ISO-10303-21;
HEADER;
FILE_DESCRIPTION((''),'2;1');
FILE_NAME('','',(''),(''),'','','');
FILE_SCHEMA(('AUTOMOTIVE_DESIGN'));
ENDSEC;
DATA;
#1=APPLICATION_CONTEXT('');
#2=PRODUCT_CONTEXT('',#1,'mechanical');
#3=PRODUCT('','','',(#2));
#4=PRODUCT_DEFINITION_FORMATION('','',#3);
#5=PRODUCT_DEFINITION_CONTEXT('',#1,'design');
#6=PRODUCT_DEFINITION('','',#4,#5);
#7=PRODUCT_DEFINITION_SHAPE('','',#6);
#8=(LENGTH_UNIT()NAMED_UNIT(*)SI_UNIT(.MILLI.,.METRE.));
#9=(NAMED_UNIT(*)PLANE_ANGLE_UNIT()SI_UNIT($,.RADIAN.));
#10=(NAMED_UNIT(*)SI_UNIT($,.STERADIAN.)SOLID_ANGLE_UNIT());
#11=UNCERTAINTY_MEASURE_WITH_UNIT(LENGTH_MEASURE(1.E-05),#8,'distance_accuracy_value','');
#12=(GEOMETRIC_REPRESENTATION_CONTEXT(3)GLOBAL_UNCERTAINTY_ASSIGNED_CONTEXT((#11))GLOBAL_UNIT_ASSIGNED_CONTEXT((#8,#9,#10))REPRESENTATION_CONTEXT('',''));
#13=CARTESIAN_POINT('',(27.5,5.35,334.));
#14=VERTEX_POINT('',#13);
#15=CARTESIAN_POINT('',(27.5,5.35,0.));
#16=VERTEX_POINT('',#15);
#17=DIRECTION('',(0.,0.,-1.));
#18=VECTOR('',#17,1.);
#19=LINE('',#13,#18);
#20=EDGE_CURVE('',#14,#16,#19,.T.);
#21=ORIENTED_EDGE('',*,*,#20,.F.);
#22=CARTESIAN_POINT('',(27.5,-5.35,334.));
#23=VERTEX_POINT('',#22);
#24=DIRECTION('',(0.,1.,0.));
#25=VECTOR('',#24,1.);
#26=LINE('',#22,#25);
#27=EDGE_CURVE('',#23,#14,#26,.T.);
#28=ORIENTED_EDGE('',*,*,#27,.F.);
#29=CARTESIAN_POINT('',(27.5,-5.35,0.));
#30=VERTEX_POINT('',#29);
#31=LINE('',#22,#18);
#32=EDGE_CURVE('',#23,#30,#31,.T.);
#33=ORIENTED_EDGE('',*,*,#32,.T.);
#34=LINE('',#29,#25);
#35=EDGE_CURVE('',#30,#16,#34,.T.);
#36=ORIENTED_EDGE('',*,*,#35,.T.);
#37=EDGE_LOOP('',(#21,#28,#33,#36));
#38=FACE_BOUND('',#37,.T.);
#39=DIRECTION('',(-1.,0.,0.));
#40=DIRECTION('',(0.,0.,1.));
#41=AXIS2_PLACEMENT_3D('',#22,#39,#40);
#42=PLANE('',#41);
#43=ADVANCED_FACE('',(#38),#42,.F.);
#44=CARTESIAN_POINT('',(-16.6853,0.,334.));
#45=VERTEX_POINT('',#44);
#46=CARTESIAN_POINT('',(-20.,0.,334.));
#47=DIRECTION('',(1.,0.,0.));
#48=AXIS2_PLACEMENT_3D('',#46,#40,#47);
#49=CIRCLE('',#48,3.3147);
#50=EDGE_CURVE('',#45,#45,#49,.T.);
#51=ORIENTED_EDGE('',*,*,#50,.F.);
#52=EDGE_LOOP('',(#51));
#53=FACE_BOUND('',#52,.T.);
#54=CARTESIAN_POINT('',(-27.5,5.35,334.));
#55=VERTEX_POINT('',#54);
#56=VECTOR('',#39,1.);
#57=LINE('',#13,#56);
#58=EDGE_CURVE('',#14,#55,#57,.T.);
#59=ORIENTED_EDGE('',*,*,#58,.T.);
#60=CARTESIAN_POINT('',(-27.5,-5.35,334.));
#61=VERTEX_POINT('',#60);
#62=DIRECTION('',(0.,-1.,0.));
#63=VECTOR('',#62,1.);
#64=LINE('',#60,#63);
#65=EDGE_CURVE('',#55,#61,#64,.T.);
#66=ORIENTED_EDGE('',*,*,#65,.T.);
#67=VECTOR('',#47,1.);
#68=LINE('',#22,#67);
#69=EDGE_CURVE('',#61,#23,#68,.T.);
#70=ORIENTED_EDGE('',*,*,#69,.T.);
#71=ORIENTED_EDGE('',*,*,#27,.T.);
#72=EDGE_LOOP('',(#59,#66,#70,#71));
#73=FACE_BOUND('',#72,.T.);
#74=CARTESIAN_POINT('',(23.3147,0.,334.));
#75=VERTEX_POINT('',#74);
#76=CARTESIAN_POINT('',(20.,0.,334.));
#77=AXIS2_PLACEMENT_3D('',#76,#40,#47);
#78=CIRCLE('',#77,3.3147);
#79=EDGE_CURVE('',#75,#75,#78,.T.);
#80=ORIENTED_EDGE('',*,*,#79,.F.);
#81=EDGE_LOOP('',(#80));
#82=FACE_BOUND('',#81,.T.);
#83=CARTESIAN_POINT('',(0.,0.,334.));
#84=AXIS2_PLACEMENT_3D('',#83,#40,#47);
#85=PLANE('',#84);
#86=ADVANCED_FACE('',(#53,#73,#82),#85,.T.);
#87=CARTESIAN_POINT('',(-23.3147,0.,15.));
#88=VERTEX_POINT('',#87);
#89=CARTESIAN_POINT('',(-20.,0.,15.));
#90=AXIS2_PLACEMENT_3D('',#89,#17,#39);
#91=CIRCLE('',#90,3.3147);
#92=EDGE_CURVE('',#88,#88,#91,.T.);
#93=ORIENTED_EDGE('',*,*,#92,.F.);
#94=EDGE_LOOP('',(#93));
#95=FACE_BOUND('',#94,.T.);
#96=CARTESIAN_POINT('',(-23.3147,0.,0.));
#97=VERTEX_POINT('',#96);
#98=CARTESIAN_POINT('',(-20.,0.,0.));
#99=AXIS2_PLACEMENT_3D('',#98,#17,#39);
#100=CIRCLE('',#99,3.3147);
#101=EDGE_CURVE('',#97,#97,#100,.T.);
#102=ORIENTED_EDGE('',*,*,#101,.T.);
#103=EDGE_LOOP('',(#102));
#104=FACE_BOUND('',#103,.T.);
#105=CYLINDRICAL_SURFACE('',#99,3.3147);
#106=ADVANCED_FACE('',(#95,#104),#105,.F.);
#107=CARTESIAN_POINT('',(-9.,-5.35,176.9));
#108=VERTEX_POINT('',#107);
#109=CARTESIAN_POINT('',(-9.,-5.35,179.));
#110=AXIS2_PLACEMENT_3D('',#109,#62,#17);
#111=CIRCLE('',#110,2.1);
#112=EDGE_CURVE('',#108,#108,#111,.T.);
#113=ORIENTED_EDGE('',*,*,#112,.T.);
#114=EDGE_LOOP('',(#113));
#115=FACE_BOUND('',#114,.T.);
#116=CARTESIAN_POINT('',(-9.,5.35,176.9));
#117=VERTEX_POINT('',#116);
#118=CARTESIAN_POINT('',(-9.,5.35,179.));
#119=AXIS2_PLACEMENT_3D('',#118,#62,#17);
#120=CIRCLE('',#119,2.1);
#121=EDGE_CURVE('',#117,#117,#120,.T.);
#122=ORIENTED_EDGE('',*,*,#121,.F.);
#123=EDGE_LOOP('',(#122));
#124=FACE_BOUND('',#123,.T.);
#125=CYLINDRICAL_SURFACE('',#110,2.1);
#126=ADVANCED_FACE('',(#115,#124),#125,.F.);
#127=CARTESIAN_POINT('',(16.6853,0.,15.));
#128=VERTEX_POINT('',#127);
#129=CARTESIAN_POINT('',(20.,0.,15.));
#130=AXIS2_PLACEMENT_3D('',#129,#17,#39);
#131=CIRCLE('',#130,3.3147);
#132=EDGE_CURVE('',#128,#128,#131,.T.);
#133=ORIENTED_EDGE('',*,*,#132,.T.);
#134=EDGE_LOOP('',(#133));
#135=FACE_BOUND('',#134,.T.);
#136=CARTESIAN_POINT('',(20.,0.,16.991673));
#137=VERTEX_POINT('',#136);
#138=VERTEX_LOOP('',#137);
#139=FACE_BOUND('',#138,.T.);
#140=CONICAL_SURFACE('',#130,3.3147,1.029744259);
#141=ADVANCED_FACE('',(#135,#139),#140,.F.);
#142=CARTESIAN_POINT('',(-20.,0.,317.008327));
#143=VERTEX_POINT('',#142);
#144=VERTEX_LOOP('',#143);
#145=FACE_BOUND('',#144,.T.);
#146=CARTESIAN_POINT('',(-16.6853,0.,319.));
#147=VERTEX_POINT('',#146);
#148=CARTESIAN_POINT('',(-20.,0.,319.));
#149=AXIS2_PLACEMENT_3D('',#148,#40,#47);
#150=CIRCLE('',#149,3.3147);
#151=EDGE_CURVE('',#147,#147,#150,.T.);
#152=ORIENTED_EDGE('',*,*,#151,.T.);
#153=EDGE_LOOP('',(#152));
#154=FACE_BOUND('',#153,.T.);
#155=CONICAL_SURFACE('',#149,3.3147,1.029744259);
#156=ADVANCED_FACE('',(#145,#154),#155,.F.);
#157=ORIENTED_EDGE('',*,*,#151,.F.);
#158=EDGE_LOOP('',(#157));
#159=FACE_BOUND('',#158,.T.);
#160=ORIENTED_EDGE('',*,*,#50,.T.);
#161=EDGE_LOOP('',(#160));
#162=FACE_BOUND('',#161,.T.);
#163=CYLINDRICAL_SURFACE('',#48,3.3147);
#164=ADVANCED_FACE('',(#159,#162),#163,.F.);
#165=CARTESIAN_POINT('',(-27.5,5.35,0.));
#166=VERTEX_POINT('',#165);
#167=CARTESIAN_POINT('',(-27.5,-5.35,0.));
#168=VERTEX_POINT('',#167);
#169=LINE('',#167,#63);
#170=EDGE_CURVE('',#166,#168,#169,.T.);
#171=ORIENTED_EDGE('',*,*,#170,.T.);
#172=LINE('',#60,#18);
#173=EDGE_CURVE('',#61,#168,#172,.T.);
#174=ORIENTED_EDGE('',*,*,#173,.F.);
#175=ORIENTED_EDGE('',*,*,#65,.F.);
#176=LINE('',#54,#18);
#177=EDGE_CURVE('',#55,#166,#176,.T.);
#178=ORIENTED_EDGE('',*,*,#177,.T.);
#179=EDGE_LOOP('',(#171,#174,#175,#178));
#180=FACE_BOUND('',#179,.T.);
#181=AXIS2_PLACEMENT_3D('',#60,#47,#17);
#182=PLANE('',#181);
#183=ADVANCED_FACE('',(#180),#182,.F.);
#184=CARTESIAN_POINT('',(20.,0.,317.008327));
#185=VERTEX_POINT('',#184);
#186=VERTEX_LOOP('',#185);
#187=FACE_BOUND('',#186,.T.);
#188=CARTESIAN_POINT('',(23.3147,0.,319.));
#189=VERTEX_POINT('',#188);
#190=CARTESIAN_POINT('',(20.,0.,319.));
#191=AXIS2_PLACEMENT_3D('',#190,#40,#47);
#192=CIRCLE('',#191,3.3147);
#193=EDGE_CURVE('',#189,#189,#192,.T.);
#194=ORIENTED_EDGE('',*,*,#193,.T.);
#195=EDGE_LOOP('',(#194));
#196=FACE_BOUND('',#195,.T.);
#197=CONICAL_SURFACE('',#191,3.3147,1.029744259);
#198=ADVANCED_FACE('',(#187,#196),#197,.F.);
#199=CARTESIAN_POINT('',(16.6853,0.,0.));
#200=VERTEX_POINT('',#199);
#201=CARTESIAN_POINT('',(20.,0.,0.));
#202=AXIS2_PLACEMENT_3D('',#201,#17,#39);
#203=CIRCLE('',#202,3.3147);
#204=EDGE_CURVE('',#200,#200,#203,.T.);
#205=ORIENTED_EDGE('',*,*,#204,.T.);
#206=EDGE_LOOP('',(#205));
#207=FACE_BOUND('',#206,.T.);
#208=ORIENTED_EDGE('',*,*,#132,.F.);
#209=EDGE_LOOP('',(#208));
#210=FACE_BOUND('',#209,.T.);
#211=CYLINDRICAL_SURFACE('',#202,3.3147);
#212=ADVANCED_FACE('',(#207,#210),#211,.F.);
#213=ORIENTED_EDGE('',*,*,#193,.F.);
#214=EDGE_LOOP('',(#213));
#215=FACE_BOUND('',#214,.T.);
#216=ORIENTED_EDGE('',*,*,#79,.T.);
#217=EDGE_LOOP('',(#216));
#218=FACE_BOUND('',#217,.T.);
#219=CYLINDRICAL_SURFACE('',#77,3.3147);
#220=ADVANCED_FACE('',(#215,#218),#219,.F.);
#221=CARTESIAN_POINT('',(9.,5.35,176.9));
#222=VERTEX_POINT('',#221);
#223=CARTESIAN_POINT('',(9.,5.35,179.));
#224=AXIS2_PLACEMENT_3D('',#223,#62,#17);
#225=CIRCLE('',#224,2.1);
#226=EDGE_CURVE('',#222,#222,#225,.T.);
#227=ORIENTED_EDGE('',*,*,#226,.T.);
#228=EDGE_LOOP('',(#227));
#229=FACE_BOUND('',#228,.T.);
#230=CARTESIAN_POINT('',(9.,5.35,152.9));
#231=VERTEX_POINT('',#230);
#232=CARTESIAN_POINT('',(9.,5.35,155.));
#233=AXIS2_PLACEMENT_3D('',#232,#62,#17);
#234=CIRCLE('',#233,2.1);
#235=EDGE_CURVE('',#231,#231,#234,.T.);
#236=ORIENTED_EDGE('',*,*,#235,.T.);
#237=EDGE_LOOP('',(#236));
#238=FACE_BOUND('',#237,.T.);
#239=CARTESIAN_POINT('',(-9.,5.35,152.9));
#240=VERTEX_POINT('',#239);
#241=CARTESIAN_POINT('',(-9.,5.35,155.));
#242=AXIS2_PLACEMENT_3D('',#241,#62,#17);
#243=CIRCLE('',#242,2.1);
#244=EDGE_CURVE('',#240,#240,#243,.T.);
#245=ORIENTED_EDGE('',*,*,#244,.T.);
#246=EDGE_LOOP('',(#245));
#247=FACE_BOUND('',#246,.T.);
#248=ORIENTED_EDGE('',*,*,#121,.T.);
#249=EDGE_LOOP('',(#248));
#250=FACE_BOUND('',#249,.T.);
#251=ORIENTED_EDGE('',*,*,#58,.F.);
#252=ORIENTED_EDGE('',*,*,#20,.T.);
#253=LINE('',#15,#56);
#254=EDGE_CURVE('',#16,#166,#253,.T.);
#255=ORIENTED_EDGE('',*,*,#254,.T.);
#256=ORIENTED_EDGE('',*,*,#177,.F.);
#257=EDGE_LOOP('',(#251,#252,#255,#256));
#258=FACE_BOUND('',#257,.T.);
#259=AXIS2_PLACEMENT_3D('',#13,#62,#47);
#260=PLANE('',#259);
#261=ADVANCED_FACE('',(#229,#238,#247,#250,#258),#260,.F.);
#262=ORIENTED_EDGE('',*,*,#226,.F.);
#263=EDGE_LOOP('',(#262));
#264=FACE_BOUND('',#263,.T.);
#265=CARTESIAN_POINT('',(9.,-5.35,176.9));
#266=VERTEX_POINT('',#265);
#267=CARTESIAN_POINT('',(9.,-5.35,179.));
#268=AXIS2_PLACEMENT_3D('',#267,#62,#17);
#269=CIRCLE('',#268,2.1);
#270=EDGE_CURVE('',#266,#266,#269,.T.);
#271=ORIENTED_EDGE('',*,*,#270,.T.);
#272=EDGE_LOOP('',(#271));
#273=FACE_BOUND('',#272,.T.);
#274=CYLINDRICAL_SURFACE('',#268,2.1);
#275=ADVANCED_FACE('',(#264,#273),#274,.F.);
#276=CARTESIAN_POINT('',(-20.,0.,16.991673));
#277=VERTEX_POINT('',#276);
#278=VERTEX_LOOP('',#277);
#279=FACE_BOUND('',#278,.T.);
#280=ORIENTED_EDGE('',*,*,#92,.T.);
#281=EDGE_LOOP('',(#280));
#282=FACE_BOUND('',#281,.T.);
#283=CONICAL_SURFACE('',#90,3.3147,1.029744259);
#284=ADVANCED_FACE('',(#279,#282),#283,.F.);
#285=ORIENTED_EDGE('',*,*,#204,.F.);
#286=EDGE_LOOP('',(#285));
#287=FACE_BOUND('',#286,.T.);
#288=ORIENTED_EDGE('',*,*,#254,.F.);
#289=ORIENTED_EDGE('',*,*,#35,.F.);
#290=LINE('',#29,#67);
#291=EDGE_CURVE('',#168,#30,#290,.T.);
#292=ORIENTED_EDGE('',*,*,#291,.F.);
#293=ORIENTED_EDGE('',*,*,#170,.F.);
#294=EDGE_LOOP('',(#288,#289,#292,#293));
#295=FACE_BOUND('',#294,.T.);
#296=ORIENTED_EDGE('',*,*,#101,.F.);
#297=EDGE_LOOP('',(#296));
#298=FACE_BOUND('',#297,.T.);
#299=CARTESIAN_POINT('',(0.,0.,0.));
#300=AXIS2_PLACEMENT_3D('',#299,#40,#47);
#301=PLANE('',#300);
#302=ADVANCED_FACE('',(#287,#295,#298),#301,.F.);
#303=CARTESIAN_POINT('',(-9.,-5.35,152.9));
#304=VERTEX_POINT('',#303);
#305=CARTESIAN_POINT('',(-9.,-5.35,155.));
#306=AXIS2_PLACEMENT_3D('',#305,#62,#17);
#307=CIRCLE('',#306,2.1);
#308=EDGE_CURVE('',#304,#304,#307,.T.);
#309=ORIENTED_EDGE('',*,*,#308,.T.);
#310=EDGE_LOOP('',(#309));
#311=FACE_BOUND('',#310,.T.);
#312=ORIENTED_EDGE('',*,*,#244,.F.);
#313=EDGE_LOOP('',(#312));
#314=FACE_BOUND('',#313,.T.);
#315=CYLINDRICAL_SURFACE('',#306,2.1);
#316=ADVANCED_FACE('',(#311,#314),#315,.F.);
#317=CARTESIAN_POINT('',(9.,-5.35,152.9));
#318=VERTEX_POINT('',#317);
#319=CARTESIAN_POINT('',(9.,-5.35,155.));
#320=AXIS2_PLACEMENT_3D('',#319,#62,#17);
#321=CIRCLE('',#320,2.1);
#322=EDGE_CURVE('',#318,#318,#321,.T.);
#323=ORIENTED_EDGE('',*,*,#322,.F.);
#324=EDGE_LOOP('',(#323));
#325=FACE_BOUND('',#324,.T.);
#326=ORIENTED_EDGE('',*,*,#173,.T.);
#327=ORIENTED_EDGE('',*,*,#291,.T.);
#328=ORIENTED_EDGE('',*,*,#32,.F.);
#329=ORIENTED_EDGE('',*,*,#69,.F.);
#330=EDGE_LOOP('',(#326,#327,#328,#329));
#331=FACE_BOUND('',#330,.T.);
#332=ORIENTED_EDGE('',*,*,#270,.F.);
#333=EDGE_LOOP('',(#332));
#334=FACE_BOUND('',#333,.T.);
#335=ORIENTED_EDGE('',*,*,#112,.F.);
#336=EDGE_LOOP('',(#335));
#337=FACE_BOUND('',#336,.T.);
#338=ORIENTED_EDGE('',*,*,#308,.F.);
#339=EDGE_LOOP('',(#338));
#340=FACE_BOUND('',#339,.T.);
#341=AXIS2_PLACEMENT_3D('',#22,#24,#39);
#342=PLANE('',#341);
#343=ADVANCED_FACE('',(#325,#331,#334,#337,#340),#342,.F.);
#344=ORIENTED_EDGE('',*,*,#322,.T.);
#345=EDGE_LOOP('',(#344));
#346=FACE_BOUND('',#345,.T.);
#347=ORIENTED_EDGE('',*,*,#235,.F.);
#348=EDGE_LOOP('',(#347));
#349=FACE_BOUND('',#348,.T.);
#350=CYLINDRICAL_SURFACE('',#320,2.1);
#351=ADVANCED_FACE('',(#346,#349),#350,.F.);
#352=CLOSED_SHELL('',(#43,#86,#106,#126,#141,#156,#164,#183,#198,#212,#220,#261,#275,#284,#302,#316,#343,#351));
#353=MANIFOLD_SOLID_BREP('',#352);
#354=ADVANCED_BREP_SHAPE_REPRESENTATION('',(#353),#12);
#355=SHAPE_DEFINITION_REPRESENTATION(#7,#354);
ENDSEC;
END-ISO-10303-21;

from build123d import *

# Parameters (mm, degrees)
ESBO_O1_W                                   = 55
ESBO_O1_H                                   = 10.7
RESSALTO_EXTRUS_O1_DEPTH                    = 334
FURO_ROSCADO_PARA_CONDU_TE_DE_M4X0_71_D     = 4.2
FURO_ROSCADO_PARA_CONDU_TE_DE_1_4_281_D     = 6.6294
FURO_ROSCADO_PARA_CONDU_TE_DE_1_4_281_DEPTH = 15
FURO_ROSCADO_PARA_CONDU_TE_DE_1_4_281_TIP   = 1.991672694
FURO_ROSCADO_PARA_CONDU_TE_DE_1_4_282_D     = 6.6294
FURO_ROSCADO_PARA_CONDU_TE_DE_1_4_282_DEPTH = 15
FURO_ROSCADO_PARA_CONDU_TE_DE_1_4_282_TIP   = 1.991672694


with BuildPart() as part:
    # Esboço1 → Ressalto-extrusão1 (new body)
    with BuildSketch(Plane.XY):
        Rectangle(ESBO_O1_W, ESBO_O1_H)
    extrude(amount=RESSALTO_EXTRUS_O1_DEPTH)

    # Furo roscado para conduíte de M4x0.71 (through all)
    with Locations(Plane(origin=(0, -5.35, 0), x_dir=(-1, 0, 0), z_dir=(0, -1, 0))):
        with Locations((9, -155), (-9, -155), (-9, -179), (9, -179)):
            Hole(FURO_ROSCADO_PARA_CONDU_TE_DE_M4X0_71_D / 2)

    # Furo roscado para conduíte de 1/4-281
    with Locations(Plane.XY.offset(334)):
        with Locations((-20, 0), (20, 0)):
            Hole(FURO_ROSCADO_PARA_CONDU_TE_DE_1_4_281_D / 2, depth=FURO_ROSCADO_PARA_CONDU_TE_DE_1_4_281_DEPTH)
            with Locations((0, 0, -(FURO_ROSCADO_PARA_CONDU_TE_DE_1_4_281_DEPTH + FURO_ROSCADO_PARA_CONDU_TE_DE_1_4_281_TIP / 2))):  # 118° drill point
                Cone(0, FURO_ROSCADO_PARA_CONDU_TE_DE_1_4_281_D / 2, FURO_ROSCADO_PARA_CONDU_TE_DE_1_4_281_TIP, mode=Mode.SUBTRACT)

    # Furo roscado para conduíte de 1/4-282
    with Locations(Plane(origin=(0, 0, 0), x_dir=(-1, 0, 0), z_dir=(0, 0, -1))):
        with Locations((-20, 0), (20, 0)):
            Hole(FURO_ROSCADO_PARA_CONDU_TE_DE_1_4_282_D / 2, depth=FURO_ROSCADO_PARA_CONDU_TE_DE_1_4_282_DEPTH)
            with Locations((0, 0, -(FURO_ROSCADO_PARA_CONDU_TE_DE_1_4_282_DEPTH + FURO_ROSCADO_PARA_CONDU_TE_DE_1_4_282_TIP / 2))):  # 118° drill point
                Cone(0, FURO_ROSCADO_PARA_CONDU_TE_DE_1_4_282_D / 2, FURO_ROSCADO_PARA_CONDU_TE_DE_1_4_282_TIP, mode=Mode.SUBTRACT)


solid = part.part
